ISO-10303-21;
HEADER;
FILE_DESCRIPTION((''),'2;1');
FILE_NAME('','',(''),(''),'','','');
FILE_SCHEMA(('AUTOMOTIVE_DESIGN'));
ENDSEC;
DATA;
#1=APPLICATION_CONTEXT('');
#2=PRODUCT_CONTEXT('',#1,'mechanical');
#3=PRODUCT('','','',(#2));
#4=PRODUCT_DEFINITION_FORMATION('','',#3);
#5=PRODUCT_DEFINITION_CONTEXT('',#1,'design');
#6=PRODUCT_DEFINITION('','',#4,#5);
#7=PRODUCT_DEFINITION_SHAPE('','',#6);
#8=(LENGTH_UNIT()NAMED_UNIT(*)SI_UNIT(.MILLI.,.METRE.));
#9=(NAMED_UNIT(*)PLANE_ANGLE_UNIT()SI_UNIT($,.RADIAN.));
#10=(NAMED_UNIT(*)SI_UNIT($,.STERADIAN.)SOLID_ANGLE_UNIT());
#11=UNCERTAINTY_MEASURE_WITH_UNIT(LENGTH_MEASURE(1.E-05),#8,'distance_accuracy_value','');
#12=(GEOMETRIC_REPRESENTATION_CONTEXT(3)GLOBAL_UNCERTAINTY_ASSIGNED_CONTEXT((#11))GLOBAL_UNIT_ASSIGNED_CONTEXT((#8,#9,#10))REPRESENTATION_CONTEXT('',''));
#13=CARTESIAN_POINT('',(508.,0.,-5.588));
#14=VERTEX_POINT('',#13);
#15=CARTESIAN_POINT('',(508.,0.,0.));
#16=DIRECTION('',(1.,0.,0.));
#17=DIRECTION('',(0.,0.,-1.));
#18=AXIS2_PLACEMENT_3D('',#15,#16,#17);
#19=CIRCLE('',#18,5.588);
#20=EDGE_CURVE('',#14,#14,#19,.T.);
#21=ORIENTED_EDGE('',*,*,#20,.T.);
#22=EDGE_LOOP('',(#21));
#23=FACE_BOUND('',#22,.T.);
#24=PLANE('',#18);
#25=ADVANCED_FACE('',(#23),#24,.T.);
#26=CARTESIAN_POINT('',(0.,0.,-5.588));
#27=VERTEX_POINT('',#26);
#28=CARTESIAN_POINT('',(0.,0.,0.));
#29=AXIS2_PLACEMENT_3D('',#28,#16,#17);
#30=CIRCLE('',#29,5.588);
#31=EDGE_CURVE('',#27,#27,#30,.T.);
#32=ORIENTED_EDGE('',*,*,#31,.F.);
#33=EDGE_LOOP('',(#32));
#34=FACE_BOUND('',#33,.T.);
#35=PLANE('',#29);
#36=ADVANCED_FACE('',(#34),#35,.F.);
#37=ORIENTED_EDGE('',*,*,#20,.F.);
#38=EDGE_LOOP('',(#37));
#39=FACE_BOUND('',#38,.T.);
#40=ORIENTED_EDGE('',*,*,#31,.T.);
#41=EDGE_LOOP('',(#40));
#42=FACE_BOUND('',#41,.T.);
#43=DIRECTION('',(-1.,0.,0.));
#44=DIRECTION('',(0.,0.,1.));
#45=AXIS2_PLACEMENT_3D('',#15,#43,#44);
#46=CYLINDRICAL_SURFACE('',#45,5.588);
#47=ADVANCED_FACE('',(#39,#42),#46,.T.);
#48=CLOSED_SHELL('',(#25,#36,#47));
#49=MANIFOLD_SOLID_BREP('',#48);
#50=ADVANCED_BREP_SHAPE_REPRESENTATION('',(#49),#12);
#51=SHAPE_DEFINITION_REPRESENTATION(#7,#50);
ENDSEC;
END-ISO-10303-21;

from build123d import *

# Parameters (mm, degrees)
SKETCH1_R           = 5.588
BOSS_EXTRUDE1_DEPTH = 508


with BuildPart() as part:
    # Sketch1 → Boss-Extrude1 (new body)
    with BuildSketch(Plane(origin=(0, 0, 0), x_dir=(0, 0, -1), z_dir=(1, 0, 0))):
        Circle(SKETCH1_R)
    extrude(amount=BOSS_EXTRUDE1_DEPTH)


solid = part.part
